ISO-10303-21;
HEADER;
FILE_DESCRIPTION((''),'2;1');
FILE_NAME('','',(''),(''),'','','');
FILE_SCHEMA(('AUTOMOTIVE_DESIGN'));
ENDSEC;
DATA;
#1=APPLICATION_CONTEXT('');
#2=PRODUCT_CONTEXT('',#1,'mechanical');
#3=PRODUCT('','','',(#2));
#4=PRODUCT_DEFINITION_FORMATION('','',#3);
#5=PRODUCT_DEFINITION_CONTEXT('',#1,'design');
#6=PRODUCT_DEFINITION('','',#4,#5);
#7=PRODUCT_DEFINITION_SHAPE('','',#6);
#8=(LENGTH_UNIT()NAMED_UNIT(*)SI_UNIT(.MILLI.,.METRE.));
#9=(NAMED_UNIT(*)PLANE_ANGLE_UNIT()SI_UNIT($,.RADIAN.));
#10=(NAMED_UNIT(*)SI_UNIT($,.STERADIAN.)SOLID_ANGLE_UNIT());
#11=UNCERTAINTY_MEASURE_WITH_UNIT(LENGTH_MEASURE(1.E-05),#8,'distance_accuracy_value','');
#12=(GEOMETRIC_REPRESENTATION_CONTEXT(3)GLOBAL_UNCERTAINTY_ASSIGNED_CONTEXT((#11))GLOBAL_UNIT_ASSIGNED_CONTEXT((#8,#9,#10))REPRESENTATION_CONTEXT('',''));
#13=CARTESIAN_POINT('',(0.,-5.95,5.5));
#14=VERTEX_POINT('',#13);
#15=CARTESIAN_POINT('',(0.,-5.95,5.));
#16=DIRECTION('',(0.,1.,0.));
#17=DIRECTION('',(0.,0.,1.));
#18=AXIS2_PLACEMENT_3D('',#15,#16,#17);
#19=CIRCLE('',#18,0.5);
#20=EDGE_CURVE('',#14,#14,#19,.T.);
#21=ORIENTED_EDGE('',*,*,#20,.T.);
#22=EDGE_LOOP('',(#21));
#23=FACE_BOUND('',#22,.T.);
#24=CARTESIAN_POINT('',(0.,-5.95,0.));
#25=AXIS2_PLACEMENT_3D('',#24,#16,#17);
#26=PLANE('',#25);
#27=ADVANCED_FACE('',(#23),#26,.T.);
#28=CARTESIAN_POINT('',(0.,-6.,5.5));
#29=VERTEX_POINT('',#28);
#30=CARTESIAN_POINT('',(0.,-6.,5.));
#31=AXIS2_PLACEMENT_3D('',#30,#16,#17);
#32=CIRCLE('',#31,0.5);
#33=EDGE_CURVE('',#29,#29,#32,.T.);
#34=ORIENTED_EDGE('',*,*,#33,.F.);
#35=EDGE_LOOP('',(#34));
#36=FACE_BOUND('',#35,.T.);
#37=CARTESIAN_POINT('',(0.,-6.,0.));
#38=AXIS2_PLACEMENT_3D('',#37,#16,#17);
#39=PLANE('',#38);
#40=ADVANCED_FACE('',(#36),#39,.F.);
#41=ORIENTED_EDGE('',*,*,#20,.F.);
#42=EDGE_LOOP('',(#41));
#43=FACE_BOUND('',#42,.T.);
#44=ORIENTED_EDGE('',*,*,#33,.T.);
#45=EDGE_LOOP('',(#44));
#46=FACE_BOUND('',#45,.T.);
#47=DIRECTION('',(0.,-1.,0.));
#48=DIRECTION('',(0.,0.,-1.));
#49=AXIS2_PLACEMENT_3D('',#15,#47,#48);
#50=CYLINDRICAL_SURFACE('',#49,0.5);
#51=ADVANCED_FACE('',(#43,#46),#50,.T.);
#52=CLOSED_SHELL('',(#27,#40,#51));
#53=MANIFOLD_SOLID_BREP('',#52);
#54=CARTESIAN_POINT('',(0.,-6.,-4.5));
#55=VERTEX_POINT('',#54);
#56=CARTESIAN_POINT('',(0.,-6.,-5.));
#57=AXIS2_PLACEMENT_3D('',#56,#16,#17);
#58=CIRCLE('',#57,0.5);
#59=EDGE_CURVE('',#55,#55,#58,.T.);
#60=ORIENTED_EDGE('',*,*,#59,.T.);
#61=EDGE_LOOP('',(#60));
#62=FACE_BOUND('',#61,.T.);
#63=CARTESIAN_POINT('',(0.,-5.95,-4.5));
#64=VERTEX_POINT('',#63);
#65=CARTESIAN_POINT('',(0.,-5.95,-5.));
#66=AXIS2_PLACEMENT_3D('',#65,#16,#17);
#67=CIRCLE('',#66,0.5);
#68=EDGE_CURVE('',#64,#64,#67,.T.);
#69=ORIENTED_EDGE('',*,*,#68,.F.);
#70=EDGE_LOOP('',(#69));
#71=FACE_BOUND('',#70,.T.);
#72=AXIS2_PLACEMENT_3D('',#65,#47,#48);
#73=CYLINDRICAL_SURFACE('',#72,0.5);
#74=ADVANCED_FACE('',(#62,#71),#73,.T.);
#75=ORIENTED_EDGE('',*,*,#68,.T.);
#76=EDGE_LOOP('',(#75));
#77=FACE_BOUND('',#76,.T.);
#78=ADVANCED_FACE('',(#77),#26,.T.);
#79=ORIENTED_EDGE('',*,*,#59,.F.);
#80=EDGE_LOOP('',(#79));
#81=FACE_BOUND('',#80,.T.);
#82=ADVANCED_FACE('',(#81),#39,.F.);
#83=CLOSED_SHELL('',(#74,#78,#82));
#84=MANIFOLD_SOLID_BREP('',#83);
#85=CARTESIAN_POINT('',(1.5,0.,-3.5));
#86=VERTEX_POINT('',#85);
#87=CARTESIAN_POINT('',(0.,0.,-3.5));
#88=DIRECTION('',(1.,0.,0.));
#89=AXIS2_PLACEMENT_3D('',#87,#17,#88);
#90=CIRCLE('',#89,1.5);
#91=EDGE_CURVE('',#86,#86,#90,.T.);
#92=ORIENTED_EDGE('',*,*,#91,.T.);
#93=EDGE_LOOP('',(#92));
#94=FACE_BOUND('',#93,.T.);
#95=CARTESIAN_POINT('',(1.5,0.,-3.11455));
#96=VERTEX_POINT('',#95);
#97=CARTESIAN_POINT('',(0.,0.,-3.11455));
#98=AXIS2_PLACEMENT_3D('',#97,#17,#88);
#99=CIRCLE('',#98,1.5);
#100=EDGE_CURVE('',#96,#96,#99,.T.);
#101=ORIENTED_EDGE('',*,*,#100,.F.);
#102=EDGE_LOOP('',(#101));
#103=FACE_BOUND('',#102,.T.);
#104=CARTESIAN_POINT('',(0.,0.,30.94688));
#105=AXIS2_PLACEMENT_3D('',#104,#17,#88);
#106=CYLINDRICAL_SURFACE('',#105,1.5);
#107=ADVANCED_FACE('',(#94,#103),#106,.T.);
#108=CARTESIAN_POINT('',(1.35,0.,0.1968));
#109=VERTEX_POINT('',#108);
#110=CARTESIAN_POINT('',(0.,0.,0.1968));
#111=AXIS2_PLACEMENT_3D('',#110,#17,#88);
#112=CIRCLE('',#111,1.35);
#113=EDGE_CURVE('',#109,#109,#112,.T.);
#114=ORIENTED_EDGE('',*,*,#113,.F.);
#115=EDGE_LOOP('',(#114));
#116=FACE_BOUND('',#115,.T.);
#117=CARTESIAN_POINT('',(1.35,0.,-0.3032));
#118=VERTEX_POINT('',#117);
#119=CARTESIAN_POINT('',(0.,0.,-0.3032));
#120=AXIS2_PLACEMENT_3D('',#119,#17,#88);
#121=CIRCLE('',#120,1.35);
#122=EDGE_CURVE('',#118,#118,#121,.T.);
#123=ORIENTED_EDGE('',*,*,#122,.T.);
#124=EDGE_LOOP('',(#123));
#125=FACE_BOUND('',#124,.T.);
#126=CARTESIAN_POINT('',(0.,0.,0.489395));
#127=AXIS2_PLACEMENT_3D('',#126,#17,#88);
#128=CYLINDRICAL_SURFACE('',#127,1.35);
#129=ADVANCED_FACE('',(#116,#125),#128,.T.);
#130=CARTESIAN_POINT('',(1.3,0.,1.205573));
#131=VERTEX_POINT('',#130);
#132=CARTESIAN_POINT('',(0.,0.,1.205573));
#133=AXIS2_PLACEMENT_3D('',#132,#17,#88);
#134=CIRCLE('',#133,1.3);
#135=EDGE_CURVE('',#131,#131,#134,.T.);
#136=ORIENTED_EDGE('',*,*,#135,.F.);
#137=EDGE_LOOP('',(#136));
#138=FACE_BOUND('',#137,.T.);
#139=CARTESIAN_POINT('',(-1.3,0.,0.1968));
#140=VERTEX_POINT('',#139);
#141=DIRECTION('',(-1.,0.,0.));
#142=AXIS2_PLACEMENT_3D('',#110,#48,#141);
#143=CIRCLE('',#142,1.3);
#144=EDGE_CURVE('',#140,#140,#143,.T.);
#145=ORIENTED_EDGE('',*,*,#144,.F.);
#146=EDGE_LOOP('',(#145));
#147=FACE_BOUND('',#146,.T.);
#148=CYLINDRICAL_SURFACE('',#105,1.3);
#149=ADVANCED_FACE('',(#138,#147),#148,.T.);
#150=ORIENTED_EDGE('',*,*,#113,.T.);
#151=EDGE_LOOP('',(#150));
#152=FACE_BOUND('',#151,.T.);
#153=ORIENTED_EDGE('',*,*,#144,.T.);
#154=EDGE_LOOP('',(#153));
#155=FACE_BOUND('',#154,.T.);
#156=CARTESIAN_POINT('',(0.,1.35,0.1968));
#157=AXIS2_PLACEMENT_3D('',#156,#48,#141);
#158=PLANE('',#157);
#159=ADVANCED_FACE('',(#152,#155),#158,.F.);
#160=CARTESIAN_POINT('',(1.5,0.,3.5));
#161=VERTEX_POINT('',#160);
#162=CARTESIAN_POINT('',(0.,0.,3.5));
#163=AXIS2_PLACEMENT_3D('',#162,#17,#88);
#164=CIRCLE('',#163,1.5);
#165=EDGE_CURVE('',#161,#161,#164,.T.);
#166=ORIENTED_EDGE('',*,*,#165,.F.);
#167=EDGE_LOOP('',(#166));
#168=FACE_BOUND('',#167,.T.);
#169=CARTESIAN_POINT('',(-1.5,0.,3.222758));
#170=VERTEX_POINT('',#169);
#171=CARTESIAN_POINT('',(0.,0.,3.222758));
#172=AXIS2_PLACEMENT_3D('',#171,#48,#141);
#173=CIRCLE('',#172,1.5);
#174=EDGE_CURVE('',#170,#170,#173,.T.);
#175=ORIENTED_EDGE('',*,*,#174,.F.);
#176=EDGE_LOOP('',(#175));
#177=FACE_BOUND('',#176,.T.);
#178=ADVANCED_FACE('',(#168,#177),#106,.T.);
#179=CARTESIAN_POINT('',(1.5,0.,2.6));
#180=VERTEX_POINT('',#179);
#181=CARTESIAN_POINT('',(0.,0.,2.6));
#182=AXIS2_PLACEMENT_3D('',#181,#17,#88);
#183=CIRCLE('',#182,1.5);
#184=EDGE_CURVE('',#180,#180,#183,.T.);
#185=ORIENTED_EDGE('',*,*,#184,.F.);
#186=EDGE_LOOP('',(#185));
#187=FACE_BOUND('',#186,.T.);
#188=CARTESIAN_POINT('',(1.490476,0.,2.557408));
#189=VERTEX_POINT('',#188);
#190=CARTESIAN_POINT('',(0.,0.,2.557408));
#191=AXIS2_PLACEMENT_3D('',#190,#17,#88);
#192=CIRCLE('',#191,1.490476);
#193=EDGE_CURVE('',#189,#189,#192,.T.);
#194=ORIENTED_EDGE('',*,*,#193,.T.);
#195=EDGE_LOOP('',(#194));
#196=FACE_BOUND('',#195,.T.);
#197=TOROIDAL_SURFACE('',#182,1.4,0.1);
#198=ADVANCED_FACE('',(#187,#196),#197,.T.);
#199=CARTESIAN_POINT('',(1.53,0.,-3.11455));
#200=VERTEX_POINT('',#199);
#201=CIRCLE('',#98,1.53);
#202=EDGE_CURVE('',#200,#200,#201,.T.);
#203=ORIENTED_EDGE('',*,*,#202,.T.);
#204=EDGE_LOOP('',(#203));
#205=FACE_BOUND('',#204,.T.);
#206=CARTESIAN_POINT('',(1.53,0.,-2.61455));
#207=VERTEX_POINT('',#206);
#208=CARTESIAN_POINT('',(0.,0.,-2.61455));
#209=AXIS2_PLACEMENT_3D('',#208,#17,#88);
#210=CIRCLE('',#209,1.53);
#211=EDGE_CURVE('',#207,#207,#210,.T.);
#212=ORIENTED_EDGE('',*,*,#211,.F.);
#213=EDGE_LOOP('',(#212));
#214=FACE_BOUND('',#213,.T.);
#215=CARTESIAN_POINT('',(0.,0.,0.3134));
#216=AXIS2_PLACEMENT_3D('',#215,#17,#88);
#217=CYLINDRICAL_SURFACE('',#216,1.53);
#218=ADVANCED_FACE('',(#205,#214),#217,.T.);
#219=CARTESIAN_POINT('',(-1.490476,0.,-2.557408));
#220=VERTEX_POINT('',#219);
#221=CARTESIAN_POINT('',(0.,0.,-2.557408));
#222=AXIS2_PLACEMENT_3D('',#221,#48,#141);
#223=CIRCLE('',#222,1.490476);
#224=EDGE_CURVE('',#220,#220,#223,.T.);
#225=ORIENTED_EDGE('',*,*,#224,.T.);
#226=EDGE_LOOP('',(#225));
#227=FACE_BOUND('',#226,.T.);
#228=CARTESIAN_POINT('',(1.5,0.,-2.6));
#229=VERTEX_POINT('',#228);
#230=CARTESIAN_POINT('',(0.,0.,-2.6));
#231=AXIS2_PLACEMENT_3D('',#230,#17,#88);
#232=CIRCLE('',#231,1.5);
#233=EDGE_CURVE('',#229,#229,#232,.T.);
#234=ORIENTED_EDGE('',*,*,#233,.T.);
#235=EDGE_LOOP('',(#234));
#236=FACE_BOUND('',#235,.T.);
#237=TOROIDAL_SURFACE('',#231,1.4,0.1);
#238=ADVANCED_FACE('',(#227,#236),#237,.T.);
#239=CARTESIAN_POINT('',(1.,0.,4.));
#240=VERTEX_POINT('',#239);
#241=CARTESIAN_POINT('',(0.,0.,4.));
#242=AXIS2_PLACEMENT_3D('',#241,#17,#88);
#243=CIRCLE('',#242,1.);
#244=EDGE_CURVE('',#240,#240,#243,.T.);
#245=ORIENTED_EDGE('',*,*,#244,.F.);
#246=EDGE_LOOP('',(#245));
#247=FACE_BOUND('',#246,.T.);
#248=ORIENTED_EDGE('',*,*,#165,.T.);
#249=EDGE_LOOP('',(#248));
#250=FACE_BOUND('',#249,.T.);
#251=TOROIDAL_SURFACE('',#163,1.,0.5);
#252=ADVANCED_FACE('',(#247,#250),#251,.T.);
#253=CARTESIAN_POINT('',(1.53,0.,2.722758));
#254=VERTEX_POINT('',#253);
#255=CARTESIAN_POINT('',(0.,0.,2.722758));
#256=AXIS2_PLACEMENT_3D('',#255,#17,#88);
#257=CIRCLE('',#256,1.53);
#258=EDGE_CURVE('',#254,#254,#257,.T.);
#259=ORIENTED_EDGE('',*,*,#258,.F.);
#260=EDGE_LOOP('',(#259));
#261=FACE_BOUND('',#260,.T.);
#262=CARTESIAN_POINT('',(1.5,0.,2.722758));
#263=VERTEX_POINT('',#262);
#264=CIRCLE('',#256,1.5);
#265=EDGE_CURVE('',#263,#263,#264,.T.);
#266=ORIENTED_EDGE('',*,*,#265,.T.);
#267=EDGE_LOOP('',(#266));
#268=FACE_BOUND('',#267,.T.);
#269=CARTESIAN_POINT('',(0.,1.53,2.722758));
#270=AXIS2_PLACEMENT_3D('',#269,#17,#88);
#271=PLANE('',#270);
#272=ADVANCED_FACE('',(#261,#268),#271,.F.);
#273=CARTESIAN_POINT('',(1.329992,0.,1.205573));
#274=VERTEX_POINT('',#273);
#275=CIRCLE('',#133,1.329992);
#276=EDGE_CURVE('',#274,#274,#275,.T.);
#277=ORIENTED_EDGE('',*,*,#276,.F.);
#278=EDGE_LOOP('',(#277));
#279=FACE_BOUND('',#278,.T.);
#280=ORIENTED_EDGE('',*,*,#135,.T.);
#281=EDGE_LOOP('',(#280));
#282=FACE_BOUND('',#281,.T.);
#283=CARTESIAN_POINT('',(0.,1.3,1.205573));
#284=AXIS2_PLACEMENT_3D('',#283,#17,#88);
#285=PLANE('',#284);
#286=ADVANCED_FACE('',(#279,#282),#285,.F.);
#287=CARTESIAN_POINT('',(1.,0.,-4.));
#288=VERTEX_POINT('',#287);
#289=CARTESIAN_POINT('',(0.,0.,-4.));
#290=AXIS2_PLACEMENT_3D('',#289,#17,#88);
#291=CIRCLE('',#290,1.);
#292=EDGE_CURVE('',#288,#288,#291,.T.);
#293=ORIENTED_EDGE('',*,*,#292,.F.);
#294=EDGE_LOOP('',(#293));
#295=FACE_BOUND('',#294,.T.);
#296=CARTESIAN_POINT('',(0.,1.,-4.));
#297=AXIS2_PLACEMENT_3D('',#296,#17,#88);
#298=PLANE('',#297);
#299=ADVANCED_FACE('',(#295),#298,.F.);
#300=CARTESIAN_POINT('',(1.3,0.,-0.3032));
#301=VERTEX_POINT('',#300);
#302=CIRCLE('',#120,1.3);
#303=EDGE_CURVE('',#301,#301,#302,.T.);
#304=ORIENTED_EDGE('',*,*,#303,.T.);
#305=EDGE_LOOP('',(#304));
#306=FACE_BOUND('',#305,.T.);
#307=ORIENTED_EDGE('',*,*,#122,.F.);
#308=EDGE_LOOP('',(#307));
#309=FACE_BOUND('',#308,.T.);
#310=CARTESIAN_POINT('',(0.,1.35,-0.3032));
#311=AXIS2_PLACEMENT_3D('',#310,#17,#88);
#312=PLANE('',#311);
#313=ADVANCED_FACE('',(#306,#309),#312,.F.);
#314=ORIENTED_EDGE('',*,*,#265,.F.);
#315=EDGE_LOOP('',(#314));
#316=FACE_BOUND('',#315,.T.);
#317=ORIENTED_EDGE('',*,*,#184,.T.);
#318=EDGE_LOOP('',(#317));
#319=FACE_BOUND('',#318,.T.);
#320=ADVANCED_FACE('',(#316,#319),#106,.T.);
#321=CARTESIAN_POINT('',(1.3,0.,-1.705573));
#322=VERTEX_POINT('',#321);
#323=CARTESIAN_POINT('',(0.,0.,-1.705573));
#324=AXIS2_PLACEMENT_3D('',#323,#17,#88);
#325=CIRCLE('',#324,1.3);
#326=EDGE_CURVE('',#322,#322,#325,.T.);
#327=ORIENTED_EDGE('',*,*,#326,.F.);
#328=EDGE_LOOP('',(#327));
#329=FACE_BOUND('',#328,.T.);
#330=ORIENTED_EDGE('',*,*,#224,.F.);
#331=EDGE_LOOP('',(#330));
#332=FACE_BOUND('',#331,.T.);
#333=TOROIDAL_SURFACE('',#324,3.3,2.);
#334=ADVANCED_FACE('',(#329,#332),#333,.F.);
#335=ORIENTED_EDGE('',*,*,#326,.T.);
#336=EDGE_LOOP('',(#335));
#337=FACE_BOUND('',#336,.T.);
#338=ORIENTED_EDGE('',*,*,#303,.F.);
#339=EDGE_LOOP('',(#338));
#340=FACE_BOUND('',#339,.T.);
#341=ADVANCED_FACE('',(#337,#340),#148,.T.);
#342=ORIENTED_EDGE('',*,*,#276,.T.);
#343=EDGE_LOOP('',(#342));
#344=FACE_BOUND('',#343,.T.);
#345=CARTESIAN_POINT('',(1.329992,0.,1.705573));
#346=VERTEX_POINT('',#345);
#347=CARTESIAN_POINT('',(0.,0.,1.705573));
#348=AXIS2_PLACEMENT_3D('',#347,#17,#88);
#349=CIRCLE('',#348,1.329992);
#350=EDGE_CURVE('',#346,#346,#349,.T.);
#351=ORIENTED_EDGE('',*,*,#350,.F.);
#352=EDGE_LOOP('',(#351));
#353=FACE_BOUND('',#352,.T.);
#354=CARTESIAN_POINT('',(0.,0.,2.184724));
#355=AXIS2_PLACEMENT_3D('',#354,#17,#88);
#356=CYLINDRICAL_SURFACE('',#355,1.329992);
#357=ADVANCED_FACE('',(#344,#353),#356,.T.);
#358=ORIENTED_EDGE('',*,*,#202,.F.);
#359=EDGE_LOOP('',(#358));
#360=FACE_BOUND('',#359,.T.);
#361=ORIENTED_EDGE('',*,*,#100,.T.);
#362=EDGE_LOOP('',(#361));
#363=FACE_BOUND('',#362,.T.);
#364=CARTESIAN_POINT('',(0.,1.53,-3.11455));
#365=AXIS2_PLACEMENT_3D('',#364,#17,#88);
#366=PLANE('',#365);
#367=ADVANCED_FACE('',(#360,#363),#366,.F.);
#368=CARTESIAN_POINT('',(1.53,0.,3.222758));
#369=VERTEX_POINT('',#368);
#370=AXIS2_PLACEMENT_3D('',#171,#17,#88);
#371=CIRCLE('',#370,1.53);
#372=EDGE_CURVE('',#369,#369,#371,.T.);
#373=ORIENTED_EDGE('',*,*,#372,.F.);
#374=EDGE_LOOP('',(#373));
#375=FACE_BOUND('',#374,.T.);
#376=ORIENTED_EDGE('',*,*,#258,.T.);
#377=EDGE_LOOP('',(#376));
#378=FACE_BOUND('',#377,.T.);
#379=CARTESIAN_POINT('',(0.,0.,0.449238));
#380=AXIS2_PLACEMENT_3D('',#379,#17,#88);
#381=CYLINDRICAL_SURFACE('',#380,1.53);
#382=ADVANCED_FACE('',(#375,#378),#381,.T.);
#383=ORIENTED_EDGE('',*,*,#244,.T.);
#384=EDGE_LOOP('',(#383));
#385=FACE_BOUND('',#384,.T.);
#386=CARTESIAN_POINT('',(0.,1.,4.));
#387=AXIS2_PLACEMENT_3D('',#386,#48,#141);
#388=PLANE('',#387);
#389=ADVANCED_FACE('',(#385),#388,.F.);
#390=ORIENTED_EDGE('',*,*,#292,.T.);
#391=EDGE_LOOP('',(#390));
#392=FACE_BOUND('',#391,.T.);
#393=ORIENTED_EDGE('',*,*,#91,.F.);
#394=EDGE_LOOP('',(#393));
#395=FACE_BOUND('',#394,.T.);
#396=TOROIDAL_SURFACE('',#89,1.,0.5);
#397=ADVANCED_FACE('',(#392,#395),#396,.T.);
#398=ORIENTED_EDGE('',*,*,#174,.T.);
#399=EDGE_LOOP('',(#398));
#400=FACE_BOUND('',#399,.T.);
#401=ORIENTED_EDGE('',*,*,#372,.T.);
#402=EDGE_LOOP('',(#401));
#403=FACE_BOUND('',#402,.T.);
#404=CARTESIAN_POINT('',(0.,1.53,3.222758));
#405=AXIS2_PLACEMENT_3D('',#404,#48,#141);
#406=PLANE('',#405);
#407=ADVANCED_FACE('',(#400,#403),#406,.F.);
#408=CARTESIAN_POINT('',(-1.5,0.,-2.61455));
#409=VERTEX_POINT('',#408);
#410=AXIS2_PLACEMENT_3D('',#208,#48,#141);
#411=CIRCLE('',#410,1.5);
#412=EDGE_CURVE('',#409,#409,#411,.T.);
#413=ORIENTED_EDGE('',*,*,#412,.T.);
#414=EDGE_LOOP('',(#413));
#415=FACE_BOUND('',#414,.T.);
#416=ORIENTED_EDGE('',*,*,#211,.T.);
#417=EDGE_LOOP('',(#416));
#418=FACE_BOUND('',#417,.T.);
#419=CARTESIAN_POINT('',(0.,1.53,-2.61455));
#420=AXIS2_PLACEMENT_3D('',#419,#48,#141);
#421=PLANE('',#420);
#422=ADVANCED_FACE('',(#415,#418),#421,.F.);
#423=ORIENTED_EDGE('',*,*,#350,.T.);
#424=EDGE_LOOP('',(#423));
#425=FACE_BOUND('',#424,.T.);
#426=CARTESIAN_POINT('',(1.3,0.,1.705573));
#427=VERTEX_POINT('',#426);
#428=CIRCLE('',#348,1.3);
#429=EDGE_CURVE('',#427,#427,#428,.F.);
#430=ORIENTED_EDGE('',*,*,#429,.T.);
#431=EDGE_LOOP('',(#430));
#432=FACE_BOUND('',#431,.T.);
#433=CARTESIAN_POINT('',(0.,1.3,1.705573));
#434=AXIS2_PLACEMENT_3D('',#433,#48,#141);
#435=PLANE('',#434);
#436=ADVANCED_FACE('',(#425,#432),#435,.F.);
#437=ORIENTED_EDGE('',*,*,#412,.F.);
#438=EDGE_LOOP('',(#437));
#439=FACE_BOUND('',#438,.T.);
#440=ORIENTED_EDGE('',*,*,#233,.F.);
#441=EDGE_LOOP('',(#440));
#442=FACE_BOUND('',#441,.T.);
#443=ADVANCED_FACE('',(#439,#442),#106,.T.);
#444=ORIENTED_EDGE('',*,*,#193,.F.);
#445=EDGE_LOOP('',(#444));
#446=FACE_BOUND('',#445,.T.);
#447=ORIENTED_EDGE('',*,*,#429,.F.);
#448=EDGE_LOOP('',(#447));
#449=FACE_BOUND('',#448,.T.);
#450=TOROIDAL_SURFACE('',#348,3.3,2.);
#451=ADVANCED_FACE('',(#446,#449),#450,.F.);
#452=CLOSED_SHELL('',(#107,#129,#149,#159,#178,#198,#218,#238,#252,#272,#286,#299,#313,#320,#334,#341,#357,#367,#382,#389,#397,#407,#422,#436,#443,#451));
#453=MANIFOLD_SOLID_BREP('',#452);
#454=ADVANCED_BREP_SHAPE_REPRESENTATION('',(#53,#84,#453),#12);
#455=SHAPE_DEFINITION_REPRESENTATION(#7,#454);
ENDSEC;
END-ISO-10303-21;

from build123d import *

# Parameters (mm, degrees)
FILLET1_R           = 2
SKETCH2_W           = 0.5
SKETCH2_H           = 0.029991608
SKETCH3_W           = 0.5
SKETCH3_H           = 0.05
SKETCH4_W           = 0.5
SKETCH4_H           = 0.03
SKETCH5_W           = 0.5
SKETCH5_H           = 0.03
SKETCH7_R           = 0.5
BOSS_EXTRUDE1_DEPTH = 0.05
SKETCH12_R          = 0.5
BOSS_EXTRUDE2_DEPTH = 0.05


with BuildPart() as part:
    # Sketch1 → Revolve1 (revolve)
    with BuildSketch(Plane(origin=(0, 0, 0), x_dir=(0, 0, -1), z_dir=(1, 0, 0))):
        with BuildLine():
            Line((2.6, 1.5), (3.5, 1.5))
            ThreePointArc((3.5, 1.5), (3.853553391, 1.353553391), (4, 1))
            Line((4, 1), (4, 0))
            Line((4, 0), (-4, 0))
            Line((-4, 0), (-4, 1))
            ThreePointArc((-4, 1), (-3.853553391, 1.353553391), (-3.5, 1.5))
            Line((-3.5, 1.5), (-2.6, 1.5))
            ThreePointArc((-2.6, 1.5), (-2.529289322, 1.470710678), (-2.5, 1.4))
            Line((-2.5, 1.4), (-2.5, 1.3))
            Line((-2.5, 1.3), (2.5, 1.3))
            Line((2.5, 1.3), (2.5, 1.4))
            ThreePointArc((2.5, 1.4), (2.529289322, 1.470710678), (2.6, 1.5))
        make_face()
    revolve(axis=Axis((0, 0, 30.94688027), (0, 0, -1)))

    # Fillet1
    fillet1_edges = [part.edges().sort_by_distance(p)[0] for p in [
        (0, -1.3, -2.5),
        (0, -1.3, 2.5),
    ]]
    fillet(fillet1_edges, radius=FILLET1_R)

    # Sketch2 → Revolve2 (revolve)
    with BuildSketch(Plane(origin=(0, 0, 0), x_dir=(0, 0, -1), z_dir=(1, 0, 0))):
        with Locations((-1.455572809, 1.314995804)):
            Rectangle(SKETCH2_W, SKETCH2_H)
    revolve(axis=Axis((0, 0, 2.184724067), (0, 0, -1)))

    # Sketch3 → Revolve3 (revolve)
    with BuildSketch(Plane(origin=(0, 0, 0), x_dir=(0, 0, -1), z_dir=(1, 0, 0))):
        with Locations((0.053199548, 1.325)):
            Rectangle(SKETCH3_W, SKETCH3_H)
    revolve(axis=Axis((0, 0, 0.48939527), (0, 0, -1)))

    # Sketch4 → Revolve4 (revolve)
    with BuildSketch(Plane(origin=(0, 0, 0), x_dir=(0, 0, -1), z_dir=(1, 0, 0))):
        with Locations((-2.972757668, 1.515)):
            Rectangle(SKETCH4_W, SKETCH4_H)
    revolve(axis=Axis((0, 0, 0.449237838), (0, 0, -1)))

    # Sketch5 → Revolve5 (revolve)
    with BuildSketch(Plane(origin=(0, 0, 0), x_dir=(0, 0, -1), z_dir=(1, 0, 0))):
        with Locations((2.864549609, 1.515)):
            Rectangle(SKETCH5_W, SKETCH5_H)
    revolve(axis=Axis((0, 0, 0.313399994), (0, 0, -1)))


with BuildPart() as body_2:
    # Sketch7 → Boss-Extrude1 (new body)
    with BuildSketch(Plane(origin=(0, -6, 0), x_dir=(-1, 0, 0), z_dir=(0, 1, 0))):
        with Locations((0, 5)):
            Circle(SKETCH7_R)
    extrude(amount=BOSS_EXTRUDE1_DEPTH)


with BuildPart() as body_3:
    # Sketch12 → Boss-Extrude2 (new body)
    with BuildSketch(Plane(origin=(0, -6, 0), x_dir=(-1, 0, 0), z_dir=(0, 1, 0))):
        with Locations((0, -5)):
            Circle(SKETCH12_R)
    extrude(amount=BOSS_EXTRUDE2_DEPTH)


solid = Compound([part.part, body_2.part, body_3.part])
